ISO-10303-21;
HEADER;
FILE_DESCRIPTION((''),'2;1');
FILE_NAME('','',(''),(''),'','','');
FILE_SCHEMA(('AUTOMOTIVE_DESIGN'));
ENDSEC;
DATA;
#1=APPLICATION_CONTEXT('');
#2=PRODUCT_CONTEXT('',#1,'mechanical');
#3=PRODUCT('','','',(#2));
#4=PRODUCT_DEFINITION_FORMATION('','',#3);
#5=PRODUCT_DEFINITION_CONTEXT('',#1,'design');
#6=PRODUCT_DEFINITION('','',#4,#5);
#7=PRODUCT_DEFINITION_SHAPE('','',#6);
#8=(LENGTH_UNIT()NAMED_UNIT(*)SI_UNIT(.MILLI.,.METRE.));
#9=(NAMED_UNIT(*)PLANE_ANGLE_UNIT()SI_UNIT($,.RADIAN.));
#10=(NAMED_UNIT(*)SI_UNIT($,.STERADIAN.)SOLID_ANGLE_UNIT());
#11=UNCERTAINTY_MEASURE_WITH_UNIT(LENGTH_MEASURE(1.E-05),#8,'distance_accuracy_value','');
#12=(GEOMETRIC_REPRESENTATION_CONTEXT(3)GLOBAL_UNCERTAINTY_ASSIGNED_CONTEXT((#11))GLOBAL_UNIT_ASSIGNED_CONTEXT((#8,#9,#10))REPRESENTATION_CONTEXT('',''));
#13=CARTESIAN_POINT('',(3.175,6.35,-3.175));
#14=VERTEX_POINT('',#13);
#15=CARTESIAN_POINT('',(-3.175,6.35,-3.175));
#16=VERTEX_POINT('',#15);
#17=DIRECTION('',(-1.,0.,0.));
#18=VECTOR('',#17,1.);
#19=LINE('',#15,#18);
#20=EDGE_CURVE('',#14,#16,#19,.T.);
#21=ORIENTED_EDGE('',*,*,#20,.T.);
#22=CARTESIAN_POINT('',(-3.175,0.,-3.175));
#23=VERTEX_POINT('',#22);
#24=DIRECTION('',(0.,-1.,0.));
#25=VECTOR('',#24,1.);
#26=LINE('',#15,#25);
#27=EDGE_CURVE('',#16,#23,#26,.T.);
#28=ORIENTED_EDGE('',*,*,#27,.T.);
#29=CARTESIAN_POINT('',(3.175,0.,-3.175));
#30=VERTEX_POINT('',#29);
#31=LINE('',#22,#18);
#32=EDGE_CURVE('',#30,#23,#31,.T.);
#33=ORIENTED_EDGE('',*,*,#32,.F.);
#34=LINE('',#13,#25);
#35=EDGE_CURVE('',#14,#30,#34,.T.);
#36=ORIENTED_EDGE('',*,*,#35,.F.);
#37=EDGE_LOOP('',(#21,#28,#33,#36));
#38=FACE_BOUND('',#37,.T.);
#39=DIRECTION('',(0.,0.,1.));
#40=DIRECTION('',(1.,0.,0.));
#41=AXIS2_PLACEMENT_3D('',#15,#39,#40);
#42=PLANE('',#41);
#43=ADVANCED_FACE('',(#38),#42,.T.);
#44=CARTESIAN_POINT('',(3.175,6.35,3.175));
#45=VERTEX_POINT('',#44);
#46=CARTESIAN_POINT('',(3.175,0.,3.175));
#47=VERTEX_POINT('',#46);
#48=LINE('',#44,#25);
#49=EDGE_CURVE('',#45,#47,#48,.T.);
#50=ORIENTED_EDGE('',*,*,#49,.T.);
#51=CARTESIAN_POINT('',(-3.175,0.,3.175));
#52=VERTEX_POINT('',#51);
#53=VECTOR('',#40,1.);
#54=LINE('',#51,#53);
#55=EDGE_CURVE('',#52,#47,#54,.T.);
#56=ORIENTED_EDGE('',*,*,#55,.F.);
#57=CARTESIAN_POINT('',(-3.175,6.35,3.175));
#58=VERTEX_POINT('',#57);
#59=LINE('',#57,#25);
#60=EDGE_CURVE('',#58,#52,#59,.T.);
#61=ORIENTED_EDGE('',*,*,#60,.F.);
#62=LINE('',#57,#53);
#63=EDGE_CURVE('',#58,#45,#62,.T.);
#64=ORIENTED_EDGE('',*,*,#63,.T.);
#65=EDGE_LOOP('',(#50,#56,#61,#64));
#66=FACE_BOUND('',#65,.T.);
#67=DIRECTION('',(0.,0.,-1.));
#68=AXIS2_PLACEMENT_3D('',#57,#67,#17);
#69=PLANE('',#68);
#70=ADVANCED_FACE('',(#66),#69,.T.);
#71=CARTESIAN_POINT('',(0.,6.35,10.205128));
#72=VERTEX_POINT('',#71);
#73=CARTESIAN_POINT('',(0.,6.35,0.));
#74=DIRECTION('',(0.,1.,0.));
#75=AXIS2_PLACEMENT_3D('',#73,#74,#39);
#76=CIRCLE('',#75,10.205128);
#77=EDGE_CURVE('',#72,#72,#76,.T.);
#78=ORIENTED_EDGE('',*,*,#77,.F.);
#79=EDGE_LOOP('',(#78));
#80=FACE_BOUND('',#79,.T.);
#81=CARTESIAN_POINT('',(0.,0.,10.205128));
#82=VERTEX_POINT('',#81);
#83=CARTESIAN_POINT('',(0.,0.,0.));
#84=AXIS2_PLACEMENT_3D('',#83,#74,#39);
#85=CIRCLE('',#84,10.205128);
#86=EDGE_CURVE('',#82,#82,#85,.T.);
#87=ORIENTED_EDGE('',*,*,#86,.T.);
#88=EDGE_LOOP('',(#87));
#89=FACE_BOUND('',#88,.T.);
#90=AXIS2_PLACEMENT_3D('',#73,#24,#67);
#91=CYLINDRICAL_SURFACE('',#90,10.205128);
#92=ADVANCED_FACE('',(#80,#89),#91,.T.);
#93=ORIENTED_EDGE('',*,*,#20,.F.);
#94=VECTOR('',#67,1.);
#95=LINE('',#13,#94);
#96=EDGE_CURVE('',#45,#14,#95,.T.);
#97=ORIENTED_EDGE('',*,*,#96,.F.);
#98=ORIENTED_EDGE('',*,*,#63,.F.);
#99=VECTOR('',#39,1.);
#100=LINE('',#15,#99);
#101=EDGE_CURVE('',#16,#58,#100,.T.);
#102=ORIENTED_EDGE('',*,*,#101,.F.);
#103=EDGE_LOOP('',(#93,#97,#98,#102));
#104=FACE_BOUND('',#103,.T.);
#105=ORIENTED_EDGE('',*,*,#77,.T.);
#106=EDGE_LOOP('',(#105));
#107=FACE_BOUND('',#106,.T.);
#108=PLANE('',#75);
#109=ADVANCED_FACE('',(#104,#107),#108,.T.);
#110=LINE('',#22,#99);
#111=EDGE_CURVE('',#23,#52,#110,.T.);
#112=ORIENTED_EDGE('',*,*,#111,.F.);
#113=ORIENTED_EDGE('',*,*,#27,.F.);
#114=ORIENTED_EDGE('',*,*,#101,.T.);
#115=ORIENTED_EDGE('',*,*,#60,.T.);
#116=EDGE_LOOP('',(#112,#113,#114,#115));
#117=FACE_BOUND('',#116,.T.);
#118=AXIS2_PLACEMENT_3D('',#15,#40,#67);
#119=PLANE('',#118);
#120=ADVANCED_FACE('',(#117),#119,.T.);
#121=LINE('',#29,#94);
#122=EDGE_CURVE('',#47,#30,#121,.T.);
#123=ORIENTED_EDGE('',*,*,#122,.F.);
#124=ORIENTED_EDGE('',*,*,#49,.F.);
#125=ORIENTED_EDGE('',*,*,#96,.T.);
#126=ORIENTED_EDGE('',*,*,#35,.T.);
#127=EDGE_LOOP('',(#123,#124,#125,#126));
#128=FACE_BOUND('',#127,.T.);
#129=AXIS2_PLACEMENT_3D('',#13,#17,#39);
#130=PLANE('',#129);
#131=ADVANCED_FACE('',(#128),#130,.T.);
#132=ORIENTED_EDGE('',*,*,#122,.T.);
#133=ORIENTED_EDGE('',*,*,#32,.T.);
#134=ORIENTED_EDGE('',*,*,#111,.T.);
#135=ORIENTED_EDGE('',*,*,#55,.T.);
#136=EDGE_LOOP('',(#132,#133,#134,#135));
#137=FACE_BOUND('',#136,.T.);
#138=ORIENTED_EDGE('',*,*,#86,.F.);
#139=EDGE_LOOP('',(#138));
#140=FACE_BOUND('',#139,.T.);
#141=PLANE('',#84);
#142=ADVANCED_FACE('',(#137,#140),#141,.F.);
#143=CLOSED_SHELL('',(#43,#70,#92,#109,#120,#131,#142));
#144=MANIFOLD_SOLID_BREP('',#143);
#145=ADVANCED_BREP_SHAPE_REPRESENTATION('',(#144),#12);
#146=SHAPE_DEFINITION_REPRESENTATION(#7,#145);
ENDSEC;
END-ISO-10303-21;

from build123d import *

# Parameters (mm, degrees)
ELEVATOR_SUPPORT_PULLEYS_R = 10.205128061
ELEVATOR_SUPPORT_PULLEYS_W = 6.35
ELEVATOR_SUPPORT_PULLEYS_H = 6.35
BOSS_EXTRUDE1_DEPTH        = 6.35


with BuildPart() as part:
    # Elevator Support Pulleys → Boss-Extrude1 (new body)
    with BuildSketch(Plane(origin=(0, 0, 0), x_dir=(1, 0, 0), z_dir=(0, 1, 0))):
        with Locations(Location((0, 0, 0), (0, 0, 270))):
            Circle(ELEVATOR_SUPPORT_PULLEYS_R)
        Rectangle(ELEVATOR_SUPPORT_PULLEYS_W, ELEVATOR_SUPPORT_PULLEYS_H, mode=Mode.SUBTRACT)
    extrude(amount=BOSS_EXTRUDE1_DEPTH)


solid = part.part
